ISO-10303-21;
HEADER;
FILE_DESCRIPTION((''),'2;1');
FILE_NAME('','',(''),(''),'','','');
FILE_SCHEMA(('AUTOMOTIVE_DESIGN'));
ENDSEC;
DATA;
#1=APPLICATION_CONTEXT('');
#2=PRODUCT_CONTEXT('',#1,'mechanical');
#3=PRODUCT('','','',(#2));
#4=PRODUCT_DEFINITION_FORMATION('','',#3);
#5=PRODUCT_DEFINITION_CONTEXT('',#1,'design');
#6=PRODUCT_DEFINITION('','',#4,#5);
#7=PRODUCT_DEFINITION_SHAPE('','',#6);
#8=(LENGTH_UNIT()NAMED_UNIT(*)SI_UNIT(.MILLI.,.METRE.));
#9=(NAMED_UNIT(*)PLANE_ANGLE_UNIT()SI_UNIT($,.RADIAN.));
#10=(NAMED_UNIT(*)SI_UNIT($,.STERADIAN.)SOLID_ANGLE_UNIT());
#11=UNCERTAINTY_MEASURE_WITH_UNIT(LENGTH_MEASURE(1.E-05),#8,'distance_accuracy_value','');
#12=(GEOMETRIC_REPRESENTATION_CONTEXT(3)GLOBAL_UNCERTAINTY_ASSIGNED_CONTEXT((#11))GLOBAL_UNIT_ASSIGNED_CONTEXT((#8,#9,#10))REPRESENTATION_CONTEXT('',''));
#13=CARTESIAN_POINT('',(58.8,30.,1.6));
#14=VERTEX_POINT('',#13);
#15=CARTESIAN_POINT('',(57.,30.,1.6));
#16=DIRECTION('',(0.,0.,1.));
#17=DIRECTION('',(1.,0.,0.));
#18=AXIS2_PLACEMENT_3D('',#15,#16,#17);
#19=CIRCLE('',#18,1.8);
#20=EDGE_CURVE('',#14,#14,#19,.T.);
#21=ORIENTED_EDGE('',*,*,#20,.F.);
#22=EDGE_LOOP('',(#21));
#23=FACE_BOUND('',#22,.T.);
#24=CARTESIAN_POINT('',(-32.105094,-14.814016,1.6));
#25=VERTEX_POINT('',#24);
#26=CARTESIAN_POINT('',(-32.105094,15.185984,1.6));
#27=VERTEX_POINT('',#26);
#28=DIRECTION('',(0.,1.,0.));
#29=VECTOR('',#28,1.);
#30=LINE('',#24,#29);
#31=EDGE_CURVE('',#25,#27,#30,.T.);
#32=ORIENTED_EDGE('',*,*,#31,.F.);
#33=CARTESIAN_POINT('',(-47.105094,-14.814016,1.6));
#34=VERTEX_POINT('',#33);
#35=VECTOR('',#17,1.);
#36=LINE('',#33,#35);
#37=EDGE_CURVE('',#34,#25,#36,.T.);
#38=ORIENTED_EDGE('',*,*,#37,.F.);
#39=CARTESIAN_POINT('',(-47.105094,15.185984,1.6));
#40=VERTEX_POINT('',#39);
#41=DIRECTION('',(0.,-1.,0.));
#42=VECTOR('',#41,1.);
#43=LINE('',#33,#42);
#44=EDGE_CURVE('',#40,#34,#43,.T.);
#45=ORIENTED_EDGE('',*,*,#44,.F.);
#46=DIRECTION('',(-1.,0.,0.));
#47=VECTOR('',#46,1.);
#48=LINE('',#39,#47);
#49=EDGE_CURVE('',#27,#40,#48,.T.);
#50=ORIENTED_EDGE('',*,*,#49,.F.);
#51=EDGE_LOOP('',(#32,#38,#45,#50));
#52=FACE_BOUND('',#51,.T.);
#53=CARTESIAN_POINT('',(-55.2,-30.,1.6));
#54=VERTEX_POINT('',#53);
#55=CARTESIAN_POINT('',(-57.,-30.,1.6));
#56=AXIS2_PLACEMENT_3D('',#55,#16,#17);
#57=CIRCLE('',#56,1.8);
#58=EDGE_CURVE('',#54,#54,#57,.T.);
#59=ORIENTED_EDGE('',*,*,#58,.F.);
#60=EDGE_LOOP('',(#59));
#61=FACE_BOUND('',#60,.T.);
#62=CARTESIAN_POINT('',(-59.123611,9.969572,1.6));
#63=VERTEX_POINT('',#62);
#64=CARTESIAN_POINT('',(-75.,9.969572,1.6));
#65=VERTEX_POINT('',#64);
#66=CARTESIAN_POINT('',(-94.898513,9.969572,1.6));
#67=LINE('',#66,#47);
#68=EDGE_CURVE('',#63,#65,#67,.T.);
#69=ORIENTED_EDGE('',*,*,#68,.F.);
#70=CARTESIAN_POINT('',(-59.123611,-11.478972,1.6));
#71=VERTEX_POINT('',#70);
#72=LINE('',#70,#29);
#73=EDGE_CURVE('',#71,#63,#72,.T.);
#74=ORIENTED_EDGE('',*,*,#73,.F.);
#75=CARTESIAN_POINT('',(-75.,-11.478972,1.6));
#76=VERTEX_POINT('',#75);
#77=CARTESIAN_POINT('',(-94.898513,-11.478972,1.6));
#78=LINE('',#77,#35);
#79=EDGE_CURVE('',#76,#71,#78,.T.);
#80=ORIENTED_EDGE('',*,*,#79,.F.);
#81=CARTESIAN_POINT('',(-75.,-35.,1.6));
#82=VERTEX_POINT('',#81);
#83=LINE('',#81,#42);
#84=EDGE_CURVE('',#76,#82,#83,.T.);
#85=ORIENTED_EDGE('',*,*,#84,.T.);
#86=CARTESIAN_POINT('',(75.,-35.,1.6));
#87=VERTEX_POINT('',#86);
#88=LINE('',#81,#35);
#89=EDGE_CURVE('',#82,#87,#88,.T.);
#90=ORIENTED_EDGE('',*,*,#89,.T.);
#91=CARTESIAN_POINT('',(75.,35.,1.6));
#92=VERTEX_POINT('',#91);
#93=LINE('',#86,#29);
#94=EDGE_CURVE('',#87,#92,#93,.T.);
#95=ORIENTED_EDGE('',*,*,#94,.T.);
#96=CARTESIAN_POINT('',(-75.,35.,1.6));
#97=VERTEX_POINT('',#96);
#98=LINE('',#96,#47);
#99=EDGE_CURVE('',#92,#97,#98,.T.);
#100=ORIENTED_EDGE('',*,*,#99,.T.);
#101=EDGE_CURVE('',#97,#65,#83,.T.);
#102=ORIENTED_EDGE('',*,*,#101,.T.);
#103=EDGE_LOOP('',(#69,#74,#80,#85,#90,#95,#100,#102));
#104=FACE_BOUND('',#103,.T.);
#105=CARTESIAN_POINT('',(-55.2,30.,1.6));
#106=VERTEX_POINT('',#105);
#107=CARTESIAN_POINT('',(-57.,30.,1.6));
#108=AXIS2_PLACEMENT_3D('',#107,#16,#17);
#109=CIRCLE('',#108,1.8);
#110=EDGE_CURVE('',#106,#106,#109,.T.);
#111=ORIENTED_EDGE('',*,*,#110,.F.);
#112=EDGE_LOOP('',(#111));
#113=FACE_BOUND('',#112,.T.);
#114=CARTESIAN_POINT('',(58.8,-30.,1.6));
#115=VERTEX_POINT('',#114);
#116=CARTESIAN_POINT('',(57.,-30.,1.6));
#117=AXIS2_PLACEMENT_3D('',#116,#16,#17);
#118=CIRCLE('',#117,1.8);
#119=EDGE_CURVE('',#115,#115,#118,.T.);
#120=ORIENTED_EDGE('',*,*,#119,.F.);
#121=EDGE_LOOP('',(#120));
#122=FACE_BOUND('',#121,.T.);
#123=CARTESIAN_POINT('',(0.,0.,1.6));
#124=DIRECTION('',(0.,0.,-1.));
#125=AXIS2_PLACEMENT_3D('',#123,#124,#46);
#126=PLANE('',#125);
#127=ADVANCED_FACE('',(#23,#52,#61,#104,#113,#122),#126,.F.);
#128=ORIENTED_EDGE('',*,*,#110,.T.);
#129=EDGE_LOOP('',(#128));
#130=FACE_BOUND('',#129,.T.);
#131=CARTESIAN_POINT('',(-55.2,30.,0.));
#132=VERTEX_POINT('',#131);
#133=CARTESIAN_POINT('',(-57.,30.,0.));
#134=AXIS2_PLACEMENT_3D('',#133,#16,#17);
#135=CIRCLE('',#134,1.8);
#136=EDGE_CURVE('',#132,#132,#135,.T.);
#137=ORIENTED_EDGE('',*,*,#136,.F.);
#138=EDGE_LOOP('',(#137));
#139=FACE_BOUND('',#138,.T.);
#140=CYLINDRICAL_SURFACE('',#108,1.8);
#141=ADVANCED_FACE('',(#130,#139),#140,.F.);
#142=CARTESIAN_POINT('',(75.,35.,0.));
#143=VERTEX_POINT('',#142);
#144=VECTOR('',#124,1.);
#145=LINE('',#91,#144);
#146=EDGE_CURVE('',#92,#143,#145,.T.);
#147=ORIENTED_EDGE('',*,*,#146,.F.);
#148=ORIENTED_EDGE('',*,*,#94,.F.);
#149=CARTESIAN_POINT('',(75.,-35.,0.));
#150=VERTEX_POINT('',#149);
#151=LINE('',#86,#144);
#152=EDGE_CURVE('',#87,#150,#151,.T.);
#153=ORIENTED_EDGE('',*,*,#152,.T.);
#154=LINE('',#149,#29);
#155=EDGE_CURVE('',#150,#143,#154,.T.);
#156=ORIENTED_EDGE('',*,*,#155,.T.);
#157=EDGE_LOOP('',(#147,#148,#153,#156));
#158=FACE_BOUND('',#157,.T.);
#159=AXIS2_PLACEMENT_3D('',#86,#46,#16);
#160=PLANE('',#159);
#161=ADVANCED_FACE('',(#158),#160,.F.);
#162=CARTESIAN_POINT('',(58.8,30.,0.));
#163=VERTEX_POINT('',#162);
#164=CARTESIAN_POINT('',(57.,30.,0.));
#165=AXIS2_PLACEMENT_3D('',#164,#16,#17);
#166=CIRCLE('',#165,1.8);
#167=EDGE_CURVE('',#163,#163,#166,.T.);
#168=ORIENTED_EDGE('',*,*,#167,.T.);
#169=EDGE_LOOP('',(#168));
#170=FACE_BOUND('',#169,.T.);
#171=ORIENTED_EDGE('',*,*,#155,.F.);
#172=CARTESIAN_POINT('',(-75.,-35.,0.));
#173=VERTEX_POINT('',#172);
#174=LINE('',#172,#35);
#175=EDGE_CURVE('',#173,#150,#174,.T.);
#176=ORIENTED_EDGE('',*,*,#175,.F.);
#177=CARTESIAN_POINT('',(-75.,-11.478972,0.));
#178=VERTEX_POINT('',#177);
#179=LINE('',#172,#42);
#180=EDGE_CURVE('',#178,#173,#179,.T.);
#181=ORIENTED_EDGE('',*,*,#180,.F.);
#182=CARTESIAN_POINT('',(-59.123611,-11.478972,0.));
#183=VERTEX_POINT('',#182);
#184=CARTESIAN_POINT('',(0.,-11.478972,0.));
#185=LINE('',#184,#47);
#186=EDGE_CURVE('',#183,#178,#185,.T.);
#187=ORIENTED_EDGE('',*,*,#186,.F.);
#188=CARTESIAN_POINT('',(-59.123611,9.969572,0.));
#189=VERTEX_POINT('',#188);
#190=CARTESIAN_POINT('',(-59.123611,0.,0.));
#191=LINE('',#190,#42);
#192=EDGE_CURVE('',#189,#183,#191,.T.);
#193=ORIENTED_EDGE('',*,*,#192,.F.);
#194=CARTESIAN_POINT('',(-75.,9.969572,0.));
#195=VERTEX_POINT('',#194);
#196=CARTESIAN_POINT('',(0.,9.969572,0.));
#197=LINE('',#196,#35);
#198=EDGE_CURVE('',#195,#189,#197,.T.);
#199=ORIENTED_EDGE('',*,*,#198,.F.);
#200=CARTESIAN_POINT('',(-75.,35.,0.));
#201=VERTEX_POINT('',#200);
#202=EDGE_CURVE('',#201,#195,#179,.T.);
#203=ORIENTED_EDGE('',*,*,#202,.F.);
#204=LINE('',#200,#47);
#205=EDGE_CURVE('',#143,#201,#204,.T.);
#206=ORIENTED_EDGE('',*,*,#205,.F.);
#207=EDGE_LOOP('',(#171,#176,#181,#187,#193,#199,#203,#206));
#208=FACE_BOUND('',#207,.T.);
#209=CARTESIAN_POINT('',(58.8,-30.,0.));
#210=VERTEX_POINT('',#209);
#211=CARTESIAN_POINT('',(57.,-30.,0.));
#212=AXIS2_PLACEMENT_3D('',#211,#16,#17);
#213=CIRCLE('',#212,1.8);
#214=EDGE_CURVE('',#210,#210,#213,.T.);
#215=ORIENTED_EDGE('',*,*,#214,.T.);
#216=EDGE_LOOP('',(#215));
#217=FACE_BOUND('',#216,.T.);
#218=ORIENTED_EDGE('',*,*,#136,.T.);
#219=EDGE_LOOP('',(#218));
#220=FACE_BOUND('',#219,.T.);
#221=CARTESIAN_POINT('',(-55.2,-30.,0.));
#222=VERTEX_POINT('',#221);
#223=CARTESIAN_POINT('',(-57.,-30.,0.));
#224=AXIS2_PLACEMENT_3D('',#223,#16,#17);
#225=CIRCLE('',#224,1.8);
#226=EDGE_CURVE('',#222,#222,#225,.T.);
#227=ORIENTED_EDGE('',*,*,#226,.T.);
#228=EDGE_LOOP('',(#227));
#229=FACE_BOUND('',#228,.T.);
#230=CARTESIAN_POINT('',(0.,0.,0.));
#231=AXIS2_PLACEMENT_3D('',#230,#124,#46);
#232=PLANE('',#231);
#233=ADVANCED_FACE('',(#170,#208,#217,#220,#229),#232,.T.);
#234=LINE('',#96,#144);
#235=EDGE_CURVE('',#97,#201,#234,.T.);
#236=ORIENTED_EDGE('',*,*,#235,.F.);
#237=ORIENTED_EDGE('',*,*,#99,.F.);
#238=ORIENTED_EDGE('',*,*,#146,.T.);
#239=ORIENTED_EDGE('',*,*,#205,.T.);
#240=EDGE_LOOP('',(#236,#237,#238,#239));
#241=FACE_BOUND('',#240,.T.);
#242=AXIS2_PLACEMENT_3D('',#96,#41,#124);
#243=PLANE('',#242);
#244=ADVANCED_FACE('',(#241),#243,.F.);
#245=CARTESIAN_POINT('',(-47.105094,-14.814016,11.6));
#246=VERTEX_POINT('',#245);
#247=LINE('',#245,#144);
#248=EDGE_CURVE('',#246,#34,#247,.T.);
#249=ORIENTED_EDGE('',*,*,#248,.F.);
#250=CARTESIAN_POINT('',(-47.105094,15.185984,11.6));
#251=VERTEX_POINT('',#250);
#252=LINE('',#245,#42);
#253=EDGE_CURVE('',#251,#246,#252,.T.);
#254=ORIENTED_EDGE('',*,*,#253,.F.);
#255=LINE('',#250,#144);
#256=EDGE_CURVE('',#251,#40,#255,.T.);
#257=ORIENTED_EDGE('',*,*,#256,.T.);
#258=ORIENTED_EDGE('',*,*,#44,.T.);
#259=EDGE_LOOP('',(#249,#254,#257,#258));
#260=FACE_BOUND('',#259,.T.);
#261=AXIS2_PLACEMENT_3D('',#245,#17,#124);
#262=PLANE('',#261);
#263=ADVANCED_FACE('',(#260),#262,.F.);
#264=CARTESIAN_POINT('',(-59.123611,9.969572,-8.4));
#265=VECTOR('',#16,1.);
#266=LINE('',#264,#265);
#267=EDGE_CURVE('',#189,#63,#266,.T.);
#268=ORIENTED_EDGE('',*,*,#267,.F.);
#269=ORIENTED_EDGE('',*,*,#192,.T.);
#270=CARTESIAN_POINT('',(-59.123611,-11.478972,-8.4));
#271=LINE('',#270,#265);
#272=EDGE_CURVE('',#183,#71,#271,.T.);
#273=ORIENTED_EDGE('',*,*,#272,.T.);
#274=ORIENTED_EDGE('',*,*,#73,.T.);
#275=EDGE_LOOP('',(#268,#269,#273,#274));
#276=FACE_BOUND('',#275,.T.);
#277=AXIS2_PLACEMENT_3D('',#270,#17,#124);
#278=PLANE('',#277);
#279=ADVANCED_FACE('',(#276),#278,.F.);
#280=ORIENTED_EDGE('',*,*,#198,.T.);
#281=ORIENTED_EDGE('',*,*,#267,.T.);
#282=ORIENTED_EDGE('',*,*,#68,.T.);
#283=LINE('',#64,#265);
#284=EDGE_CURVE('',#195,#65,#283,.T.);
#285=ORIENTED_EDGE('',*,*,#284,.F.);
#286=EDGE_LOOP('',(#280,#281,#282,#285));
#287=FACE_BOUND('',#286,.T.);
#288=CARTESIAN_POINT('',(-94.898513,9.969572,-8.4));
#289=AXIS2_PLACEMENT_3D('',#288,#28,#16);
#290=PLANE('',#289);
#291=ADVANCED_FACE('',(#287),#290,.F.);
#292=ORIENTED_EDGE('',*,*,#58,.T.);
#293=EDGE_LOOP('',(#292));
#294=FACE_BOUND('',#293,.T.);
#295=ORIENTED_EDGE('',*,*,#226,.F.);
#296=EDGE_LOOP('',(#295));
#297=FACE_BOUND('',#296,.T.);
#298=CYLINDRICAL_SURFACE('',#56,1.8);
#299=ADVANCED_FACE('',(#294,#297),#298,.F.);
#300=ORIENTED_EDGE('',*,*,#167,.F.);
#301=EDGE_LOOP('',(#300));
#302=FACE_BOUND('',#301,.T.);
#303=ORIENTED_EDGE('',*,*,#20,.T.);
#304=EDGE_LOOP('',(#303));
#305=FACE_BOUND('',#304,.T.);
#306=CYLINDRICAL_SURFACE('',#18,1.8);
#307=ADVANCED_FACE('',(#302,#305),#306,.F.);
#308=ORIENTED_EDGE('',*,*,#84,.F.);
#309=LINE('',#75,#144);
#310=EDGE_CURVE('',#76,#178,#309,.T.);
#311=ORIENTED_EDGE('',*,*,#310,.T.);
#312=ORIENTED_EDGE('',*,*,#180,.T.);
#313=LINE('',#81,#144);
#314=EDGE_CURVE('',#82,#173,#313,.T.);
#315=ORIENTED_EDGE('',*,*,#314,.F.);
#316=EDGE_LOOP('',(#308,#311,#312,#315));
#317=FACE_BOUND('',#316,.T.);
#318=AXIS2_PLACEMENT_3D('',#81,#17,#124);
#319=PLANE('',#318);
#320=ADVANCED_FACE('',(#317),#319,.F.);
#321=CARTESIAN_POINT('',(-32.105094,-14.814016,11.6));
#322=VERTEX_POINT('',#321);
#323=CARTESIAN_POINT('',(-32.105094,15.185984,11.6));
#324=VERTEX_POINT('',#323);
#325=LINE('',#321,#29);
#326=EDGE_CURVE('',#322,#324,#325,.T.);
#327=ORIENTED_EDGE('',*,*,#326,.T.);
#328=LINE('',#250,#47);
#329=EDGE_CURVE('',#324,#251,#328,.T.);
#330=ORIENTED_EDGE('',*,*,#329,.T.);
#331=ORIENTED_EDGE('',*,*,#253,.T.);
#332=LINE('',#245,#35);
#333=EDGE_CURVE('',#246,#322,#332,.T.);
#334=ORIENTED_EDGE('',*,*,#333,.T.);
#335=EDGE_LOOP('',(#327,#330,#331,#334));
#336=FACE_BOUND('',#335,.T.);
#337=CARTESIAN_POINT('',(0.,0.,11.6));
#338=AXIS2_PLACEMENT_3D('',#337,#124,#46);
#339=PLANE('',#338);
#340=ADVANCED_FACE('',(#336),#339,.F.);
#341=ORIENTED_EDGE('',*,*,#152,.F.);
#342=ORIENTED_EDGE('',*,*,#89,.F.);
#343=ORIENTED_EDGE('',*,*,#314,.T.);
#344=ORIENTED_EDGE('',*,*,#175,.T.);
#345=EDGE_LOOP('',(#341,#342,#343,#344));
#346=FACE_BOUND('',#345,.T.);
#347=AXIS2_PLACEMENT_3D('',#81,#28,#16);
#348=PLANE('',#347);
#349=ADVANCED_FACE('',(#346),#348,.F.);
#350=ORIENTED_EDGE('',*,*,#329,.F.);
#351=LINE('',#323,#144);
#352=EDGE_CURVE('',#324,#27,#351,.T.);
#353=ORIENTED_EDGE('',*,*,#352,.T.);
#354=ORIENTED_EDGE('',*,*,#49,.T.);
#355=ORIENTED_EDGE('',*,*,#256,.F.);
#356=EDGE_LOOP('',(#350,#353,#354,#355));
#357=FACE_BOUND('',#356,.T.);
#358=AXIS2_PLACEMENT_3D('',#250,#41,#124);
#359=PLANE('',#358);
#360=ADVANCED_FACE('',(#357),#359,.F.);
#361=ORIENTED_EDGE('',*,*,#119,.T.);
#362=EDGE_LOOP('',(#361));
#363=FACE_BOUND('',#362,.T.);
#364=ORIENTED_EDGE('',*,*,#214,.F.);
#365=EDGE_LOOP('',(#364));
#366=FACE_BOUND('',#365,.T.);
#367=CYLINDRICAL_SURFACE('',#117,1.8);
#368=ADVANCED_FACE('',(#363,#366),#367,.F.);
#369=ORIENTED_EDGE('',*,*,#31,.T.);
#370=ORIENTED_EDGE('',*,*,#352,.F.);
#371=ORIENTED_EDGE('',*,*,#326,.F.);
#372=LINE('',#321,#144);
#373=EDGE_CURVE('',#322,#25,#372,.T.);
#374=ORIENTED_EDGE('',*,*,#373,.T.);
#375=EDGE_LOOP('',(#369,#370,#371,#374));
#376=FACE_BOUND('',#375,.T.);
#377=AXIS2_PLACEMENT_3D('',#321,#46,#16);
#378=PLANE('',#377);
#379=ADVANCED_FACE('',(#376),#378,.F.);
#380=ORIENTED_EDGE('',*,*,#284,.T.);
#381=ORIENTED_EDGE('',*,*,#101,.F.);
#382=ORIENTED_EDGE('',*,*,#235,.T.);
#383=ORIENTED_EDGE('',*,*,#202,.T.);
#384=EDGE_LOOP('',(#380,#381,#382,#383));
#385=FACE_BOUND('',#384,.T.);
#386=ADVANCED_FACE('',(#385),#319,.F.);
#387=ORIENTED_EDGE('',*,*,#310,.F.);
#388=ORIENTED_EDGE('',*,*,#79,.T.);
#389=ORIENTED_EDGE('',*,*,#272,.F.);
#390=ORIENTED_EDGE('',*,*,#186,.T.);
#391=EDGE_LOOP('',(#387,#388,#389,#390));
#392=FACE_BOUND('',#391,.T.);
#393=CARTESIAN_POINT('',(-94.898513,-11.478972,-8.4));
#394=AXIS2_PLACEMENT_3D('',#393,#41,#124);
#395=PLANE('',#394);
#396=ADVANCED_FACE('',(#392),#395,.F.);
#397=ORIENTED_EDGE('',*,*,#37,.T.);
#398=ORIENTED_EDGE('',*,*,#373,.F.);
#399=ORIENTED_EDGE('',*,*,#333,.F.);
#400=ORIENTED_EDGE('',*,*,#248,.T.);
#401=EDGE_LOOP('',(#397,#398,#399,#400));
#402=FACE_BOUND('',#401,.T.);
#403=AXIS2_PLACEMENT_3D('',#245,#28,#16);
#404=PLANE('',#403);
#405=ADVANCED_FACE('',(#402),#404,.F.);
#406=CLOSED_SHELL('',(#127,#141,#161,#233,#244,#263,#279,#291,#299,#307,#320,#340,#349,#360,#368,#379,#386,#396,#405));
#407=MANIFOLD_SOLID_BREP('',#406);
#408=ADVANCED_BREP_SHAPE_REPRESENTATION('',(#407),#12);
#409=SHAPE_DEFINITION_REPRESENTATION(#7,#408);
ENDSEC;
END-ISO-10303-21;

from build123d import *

# Parameters (mm, degrees)
SKETCH_1_W          = 150
SKETCH_1_H          = 70
EXTRUDE_1_DEPTH     = 1.6
HOLE_WIZARD_M3_1_D  = 3.6
SKETCH_5_W          = 35.774901566
SKETCH_5_H          = 21.448543783
CUT_EXTRUDE_1_DEPTH = 10
SKETCH_6_W          = 15
SKETCH_6_H          = 30
EXTRUDE_2_DEPTH     = 10


with BuildPart() as part:
    # ｽｹｯﾁ1 → ﾎﾞｽ - 押し出し1 (new body)
    with BuildSketch(Plane.XY):
        Rectangle(SKETCH_1_W, SKETCH_1_H)
    extrude(amount=EXTRUDE_1_DEPTH)

    # M3 すきま穴1 (through all)
    with Locations(Plane.XY.offset(1.6)):
        with Locations((57, 30), (57, -30), (-57, -30), (-57, 30)):
            Hole(HOLE_WIZARD_M3_1_D / 2)

    # ｽｹｯﾁ5 → ｶｯﾄ - 押し出し1 (cut)
    with BuildSketch(Plane.XY.offset(1.6)):
        with Locations((-77.011061726, -0.754700365)):
            Rectangle(SKETCH_5_W, SKETCH_5_H)
    extrude(amount=-CUT_EXTRUDE_1_DEPTH, mode=Mode.SUBTRACT)

    # ｽｹｯﾁ6 → ﾎﾞｽ - 押し出し2 (add)
    with BuildSketch(Plane.XY.offset(1.6)):
        with Locations((-39.605094466, 0.185984115)):
            Rectangle(SKETCH_6_W, SKETCH_6_H)
    extrude(amount=EXTRUDE_2_DEPTH)


solid = part.part
